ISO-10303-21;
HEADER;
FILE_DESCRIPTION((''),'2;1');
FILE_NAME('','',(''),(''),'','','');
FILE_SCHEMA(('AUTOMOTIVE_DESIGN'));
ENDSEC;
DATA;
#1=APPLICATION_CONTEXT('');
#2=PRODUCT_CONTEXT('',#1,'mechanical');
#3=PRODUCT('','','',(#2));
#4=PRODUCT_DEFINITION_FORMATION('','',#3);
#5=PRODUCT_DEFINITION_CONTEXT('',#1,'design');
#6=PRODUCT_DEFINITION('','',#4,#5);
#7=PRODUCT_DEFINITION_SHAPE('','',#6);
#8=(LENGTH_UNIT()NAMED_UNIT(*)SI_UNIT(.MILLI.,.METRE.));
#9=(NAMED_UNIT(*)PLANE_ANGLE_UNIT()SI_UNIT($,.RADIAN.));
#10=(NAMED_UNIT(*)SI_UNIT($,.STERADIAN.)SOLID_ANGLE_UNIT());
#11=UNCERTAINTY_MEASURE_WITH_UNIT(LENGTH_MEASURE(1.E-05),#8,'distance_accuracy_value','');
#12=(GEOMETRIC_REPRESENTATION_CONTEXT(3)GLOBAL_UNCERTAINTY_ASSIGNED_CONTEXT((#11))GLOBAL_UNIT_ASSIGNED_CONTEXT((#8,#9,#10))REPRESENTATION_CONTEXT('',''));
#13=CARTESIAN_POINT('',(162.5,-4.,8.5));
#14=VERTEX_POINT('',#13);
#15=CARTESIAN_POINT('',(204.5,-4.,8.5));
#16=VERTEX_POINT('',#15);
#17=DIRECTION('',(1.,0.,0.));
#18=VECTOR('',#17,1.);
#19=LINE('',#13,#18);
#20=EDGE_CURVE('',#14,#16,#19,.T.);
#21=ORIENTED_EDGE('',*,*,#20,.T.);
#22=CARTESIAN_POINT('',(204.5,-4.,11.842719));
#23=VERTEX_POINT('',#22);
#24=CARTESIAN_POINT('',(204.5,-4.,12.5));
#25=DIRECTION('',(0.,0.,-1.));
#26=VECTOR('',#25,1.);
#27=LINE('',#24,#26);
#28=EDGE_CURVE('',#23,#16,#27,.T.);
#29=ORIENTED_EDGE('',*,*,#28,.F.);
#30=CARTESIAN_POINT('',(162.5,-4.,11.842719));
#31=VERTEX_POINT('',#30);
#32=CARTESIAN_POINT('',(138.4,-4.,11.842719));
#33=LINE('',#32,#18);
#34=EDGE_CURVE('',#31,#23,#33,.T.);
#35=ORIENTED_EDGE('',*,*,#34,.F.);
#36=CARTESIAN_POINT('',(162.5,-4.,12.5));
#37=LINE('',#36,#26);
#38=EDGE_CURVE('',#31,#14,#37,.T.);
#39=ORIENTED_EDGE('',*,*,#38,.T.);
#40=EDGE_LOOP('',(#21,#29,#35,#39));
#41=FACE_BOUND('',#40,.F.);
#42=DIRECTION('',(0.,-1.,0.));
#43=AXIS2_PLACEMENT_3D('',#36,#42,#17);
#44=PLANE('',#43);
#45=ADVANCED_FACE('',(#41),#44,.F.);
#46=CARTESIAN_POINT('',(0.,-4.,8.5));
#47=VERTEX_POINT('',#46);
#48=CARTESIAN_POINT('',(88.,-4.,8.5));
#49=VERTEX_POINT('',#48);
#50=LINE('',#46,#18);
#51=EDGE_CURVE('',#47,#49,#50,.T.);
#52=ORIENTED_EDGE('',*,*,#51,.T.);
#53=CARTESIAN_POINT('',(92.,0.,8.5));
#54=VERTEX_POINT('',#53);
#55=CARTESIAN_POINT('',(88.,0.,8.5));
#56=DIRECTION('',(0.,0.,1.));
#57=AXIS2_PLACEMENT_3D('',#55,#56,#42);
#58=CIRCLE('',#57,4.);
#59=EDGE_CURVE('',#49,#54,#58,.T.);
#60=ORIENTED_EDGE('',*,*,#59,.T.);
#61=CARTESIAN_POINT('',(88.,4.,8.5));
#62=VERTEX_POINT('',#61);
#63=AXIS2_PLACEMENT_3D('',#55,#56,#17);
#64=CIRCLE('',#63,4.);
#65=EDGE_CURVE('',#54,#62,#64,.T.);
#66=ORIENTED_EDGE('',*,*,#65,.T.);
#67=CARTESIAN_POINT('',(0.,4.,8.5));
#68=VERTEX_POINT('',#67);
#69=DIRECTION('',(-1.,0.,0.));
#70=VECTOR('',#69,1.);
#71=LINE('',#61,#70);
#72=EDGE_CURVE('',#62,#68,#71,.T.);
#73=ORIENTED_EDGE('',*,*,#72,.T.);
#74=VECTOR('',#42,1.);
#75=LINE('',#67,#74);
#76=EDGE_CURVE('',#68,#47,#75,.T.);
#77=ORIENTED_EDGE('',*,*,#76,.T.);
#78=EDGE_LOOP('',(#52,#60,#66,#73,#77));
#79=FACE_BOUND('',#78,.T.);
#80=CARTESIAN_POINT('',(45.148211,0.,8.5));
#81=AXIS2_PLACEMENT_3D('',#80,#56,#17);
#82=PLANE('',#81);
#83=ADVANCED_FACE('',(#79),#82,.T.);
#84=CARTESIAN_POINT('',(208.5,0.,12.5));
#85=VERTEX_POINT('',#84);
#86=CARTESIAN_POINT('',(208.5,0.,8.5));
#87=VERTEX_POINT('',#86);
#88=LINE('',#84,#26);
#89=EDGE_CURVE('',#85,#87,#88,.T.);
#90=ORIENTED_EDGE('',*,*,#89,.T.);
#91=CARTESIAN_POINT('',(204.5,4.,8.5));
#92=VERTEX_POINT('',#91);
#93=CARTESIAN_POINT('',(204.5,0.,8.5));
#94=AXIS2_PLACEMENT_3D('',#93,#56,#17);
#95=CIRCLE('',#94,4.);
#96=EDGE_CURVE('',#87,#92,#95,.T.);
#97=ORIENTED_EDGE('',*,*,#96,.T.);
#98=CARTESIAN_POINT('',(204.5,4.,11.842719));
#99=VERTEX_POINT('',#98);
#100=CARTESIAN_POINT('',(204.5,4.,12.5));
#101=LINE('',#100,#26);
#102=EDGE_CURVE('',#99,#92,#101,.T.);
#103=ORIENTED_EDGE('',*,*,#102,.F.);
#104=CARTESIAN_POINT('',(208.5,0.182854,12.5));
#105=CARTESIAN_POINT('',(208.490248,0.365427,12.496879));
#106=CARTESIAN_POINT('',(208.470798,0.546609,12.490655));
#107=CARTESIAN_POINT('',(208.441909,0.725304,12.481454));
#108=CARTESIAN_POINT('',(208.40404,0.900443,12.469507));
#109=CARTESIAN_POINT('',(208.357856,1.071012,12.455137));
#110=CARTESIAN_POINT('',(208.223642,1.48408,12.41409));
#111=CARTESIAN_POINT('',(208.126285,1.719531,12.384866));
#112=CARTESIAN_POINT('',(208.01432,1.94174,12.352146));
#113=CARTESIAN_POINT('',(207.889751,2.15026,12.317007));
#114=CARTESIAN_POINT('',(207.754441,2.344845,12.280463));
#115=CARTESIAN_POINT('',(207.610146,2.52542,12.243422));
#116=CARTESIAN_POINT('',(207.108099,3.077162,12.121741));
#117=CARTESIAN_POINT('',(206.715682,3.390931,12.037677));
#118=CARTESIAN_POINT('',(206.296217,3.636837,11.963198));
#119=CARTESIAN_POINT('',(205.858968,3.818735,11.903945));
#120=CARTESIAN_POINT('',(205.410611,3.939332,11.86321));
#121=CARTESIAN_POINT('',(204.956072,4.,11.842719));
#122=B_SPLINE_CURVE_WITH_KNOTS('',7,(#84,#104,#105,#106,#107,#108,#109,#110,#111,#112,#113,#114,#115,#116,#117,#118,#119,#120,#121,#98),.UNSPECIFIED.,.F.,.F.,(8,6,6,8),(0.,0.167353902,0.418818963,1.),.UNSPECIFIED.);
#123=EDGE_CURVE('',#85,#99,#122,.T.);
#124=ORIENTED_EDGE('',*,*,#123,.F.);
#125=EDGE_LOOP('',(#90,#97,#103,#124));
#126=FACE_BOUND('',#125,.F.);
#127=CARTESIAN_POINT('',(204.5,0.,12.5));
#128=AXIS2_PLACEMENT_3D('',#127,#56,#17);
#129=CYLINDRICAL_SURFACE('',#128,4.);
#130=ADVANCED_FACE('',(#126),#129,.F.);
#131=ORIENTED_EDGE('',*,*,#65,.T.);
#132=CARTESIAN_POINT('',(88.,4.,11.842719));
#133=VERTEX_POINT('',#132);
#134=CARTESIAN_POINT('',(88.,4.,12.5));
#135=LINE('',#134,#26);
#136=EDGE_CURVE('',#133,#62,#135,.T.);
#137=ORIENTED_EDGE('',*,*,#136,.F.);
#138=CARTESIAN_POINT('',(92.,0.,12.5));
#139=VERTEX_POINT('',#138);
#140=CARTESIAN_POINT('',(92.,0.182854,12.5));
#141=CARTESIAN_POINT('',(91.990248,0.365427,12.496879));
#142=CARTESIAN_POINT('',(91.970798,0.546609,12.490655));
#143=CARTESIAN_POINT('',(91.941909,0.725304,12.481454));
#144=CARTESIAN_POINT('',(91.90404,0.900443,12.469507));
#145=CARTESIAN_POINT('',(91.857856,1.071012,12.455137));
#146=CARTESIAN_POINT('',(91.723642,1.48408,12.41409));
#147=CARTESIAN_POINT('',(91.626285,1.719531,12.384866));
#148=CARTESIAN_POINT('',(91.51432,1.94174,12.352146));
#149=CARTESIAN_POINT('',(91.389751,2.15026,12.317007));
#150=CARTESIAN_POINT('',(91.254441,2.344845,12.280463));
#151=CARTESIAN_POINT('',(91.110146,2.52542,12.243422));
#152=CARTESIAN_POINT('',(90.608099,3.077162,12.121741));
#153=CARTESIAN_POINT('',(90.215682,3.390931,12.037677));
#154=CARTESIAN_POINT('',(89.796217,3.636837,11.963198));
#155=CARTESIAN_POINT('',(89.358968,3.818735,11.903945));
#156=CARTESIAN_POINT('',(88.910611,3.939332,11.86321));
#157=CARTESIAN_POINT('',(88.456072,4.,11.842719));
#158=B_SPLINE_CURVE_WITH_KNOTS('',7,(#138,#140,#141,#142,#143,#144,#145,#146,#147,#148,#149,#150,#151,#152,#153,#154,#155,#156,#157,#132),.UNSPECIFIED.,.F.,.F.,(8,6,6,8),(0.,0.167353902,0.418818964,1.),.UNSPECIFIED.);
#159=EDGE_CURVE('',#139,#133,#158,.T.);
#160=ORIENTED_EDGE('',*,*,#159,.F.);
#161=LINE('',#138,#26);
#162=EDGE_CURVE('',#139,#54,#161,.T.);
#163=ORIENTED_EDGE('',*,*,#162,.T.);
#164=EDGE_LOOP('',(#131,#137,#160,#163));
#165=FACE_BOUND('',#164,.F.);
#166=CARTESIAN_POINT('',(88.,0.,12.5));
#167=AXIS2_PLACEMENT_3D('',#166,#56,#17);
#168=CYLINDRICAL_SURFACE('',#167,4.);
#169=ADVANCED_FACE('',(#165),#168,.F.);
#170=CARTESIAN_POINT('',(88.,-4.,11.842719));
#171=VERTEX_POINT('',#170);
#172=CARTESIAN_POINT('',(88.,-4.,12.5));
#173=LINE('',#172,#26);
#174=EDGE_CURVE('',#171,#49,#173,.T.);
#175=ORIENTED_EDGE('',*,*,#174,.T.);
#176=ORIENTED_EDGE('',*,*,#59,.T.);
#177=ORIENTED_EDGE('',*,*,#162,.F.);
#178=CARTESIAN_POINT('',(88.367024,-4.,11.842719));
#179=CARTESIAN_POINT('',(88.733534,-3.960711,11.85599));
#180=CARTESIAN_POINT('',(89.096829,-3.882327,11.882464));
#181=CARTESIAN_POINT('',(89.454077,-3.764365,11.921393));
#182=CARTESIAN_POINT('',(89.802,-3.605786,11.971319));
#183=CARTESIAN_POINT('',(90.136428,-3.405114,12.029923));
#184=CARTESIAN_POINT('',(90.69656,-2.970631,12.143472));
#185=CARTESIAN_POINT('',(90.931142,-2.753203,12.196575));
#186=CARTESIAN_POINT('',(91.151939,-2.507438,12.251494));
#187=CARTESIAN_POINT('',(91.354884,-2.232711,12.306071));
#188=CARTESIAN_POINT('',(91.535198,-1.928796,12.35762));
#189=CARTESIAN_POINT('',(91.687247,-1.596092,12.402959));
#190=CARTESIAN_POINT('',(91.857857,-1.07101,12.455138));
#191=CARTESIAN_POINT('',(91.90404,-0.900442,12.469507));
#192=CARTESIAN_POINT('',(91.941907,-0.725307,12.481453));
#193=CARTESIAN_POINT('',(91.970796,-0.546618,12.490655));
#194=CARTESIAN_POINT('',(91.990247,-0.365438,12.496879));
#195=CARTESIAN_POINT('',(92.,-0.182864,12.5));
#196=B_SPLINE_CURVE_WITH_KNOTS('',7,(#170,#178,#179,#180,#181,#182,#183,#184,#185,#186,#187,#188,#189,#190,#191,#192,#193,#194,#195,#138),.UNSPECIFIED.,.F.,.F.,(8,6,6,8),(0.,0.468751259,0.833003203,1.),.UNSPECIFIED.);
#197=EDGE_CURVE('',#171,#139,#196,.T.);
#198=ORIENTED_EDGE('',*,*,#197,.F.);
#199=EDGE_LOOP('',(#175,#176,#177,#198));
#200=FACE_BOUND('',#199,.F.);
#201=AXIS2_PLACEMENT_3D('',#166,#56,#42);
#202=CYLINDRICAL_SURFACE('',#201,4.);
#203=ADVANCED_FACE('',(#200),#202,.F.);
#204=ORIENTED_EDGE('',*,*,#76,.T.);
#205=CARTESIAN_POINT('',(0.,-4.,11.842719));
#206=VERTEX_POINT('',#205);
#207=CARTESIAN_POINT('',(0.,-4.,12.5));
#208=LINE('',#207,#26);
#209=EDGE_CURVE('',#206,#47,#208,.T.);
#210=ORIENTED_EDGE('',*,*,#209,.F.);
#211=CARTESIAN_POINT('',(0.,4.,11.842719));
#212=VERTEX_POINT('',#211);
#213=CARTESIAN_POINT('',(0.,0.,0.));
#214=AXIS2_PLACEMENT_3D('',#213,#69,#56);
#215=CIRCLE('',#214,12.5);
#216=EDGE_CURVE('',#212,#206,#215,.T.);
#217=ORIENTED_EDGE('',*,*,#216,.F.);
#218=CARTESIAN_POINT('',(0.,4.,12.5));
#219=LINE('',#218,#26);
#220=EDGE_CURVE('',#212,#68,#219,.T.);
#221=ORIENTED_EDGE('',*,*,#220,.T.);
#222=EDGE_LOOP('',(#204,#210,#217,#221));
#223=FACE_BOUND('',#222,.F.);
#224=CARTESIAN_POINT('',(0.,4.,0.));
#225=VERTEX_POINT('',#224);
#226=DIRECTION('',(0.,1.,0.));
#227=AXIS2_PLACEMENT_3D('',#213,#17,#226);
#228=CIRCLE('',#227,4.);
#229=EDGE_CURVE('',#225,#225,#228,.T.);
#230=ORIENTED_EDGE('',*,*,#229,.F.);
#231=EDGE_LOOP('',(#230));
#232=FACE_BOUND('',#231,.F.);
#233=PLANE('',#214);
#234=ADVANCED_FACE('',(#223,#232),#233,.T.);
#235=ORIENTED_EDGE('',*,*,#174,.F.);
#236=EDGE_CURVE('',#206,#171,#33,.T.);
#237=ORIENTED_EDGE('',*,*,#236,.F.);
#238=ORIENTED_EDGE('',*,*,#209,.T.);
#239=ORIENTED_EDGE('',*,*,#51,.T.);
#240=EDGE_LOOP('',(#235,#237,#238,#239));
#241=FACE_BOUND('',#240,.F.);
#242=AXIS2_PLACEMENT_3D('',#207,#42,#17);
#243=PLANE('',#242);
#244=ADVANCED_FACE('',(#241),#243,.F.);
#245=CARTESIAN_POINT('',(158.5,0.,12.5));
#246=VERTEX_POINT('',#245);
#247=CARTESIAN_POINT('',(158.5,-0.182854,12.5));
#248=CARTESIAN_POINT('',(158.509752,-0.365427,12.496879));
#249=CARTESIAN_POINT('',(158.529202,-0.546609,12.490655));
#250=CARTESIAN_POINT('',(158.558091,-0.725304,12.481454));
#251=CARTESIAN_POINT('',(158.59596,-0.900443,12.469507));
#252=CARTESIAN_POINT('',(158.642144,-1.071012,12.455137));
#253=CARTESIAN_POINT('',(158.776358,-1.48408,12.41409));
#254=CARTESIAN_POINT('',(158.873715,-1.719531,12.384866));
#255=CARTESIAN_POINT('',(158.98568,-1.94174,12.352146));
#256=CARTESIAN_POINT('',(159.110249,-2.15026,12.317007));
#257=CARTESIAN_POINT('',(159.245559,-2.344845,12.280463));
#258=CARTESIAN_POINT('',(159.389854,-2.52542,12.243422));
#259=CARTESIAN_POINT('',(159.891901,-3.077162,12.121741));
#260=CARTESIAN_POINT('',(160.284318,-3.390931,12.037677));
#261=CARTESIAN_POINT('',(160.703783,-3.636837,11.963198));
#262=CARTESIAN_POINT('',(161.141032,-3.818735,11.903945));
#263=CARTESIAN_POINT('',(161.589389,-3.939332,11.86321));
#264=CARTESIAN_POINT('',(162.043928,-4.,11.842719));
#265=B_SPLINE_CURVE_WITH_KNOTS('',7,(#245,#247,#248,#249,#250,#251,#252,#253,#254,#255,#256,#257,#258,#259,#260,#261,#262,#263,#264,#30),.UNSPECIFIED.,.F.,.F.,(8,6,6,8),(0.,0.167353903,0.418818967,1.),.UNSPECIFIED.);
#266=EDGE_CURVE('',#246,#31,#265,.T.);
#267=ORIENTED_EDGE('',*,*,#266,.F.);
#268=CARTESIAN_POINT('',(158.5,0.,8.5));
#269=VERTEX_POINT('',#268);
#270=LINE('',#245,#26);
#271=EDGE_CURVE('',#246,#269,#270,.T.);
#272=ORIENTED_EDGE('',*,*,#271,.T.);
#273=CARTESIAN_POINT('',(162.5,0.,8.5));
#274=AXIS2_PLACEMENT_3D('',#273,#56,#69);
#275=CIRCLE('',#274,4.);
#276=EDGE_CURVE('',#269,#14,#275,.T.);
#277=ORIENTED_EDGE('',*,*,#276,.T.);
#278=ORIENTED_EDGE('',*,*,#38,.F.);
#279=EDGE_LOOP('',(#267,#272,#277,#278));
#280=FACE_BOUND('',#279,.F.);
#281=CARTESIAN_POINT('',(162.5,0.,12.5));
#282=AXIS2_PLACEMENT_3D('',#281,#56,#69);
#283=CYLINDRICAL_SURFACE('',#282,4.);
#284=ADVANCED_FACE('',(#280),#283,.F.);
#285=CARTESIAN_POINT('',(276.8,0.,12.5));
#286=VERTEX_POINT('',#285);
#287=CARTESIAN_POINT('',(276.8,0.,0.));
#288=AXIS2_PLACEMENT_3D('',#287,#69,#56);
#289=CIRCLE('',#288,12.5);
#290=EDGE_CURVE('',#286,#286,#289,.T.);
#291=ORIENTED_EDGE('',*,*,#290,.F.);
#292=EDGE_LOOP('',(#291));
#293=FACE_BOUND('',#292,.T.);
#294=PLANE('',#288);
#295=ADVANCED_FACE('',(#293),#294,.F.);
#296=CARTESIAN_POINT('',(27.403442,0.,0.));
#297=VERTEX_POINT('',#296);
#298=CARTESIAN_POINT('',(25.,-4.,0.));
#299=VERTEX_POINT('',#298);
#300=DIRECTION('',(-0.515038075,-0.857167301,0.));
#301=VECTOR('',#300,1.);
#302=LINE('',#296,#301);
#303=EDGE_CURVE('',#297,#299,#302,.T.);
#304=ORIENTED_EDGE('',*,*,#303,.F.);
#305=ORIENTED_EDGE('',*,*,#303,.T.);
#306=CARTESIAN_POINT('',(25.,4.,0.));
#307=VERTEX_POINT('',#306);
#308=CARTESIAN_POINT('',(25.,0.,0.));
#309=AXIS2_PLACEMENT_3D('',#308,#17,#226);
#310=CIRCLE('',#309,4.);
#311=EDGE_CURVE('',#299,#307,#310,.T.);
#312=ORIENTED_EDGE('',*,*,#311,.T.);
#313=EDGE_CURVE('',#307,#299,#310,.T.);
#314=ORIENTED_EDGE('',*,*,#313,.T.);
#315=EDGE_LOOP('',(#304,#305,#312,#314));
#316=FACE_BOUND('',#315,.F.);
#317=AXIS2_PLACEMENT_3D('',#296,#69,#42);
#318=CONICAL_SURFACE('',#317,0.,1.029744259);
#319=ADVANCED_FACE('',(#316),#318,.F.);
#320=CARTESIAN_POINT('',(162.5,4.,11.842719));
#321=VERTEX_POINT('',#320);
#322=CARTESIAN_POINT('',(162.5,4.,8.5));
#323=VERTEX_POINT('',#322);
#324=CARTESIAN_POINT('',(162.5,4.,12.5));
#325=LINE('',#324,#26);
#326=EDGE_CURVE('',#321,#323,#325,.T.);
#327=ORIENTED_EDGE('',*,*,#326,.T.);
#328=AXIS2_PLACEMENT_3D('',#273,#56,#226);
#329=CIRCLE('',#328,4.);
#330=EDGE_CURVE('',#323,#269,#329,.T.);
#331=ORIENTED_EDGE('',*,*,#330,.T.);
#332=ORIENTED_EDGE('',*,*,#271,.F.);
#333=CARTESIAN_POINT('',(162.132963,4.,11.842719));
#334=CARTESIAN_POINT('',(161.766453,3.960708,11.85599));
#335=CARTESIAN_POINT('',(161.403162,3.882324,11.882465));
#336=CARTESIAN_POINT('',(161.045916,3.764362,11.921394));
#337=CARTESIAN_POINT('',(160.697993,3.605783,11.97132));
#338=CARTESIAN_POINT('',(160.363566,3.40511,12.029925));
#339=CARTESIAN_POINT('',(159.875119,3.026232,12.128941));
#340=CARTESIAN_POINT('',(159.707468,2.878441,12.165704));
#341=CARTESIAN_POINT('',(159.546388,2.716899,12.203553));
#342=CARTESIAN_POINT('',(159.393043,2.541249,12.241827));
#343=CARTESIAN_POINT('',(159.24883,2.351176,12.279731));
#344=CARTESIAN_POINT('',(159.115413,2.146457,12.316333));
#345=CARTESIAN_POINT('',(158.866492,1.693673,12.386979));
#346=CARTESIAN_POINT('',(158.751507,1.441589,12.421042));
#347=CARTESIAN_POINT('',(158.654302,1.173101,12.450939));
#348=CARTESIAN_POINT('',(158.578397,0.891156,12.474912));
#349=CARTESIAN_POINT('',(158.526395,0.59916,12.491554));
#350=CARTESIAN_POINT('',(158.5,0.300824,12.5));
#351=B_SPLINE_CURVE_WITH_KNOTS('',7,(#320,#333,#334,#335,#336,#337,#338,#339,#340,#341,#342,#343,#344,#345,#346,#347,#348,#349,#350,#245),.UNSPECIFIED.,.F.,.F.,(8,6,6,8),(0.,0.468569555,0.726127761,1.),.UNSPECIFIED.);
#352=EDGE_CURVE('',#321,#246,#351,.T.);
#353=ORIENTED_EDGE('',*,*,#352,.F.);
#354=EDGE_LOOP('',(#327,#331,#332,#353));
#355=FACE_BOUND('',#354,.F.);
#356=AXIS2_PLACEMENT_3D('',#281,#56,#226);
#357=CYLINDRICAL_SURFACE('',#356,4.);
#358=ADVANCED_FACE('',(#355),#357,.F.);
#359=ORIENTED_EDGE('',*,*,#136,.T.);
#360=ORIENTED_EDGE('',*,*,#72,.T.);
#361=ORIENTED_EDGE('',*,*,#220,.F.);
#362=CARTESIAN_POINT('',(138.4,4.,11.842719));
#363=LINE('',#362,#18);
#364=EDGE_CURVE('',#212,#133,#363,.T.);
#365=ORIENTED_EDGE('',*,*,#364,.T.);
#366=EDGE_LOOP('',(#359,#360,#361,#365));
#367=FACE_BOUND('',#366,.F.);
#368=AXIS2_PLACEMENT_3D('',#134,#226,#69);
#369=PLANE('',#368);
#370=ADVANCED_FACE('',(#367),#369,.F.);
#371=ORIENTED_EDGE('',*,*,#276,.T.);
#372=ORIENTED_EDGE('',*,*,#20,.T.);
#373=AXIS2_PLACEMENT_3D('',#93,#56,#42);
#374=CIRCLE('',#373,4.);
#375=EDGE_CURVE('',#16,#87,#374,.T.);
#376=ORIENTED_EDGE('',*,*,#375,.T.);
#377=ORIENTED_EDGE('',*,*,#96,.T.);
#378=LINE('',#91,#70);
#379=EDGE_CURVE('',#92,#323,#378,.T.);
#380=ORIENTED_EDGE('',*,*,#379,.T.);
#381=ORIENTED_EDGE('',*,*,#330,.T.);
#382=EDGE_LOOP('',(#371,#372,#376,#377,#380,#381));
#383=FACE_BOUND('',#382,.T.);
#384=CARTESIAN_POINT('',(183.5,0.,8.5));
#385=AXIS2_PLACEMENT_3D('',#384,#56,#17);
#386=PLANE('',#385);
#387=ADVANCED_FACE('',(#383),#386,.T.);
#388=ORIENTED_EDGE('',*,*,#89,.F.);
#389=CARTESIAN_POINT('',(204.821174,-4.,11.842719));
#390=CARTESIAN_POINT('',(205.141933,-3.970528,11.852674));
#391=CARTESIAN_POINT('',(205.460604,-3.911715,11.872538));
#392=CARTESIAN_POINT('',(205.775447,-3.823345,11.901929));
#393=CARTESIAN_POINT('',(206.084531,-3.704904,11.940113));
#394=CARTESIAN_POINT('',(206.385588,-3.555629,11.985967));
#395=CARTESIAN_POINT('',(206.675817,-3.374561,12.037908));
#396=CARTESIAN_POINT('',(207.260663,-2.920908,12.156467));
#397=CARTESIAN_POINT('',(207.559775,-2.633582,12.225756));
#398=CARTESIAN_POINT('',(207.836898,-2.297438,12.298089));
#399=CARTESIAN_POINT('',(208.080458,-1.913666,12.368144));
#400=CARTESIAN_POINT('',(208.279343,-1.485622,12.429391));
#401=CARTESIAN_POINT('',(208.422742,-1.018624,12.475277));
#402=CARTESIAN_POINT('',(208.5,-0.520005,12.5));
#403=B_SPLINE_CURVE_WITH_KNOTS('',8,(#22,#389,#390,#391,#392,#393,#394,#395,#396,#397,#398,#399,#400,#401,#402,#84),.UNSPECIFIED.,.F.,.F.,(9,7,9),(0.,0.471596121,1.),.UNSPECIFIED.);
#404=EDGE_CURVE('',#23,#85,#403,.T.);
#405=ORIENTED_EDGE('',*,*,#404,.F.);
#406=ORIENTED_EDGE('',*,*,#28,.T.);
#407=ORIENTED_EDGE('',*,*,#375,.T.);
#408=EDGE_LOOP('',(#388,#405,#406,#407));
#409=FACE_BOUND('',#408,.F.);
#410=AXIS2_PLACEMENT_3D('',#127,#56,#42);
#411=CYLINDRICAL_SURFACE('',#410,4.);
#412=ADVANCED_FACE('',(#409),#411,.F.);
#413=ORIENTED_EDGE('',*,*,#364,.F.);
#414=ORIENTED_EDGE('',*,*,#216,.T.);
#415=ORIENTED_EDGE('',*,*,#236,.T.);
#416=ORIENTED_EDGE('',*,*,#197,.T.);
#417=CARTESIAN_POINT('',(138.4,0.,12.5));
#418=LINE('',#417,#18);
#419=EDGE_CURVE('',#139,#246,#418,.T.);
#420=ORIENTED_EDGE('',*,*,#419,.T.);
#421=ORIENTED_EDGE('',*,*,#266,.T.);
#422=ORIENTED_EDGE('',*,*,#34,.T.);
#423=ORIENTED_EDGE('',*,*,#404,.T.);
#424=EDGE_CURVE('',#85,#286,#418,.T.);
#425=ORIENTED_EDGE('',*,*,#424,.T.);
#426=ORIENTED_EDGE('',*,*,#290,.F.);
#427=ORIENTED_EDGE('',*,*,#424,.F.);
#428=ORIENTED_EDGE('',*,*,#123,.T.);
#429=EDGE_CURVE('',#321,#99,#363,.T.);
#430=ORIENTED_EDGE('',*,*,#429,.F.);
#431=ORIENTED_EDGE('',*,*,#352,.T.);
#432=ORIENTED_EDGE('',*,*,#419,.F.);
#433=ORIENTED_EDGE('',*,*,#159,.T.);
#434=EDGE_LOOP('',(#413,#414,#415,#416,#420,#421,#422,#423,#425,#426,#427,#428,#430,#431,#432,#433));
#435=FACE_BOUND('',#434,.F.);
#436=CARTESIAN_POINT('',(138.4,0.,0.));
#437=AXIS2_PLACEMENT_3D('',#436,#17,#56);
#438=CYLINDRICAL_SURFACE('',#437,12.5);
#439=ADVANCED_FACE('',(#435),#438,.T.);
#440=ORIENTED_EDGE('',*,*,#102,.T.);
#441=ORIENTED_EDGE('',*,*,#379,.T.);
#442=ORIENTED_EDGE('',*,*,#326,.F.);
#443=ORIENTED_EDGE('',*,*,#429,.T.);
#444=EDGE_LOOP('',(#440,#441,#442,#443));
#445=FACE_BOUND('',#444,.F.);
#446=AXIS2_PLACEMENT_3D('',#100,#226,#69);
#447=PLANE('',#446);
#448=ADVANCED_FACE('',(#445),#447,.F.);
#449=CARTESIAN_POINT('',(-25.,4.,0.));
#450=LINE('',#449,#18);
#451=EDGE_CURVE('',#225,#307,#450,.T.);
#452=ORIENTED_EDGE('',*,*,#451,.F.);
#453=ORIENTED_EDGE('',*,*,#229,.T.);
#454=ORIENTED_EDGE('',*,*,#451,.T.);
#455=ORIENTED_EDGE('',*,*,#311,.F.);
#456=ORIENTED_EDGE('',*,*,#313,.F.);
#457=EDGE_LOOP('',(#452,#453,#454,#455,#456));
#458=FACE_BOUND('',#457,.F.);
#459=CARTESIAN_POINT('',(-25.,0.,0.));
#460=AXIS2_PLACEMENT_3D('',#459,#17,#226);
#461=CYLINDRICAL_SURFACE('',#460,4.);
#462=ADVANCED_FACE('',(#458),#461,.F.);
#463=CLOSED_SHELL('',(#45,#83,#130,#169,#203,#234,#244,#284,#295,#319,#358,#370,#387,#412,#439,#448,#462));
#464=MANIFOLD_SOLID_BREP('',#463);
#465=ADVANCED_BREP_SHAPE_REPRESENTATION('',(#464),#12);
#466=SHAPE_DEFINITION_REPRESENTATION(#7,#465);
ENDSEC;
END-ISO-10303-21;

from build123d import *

# Parameters (mm, degrees)
F0_W     = 276.8
F0_H     = 12.5
F4_DEPTH = 4
F6_D     = 8
F6_DEPTH = 25
F6_TIP   = 2.4034424761
F8_DEPTH = 4


with BuildPart() as f1:
    # F0 (on Front) → F1 (revolve)
    with BuildSketch(Plane.XZ):
        with Locations((138.4, 6.25)):
            Rectangle(F0_W, F0_H)
    revolve(axis=Axis((138.4, 0, 0), (-1, 0, 0)))

    # F3 (on offset) → F4 (cut)
    with BuildSketch(Plane.XY.offset(12.5)):
        with BuildLine():
            Line((0, 4), (0, 0))
            Line((0, 0), (0, -4))
            Line((0, -4), (88, -4))
            ThreePointArc((88, -4), (90.8284271247, -2.8284271247), (92, 0))
            ThreePointArc((92, 0), (90.8284271247, 2.8284271247), (88, 4))
            Line((88, 4), (0, 4))
        make_face()
    extrude(amount=-F4_DEPTH, mode=Mode.SUBTRACT)

    # F6
    with Locations(Plane(origin=(0, 0, 0), x_dir=(0, -1, 0), z_dir=(-1, 0, 0))):
        with Locations((0, 0)):
            Hole(F6_D / 2, depth=F6_DEPTH)
            with Locations((0, 0, -(F6_DEPTH + F6_TIP / 2))):  # 118° drill point
                Cone(0, F6_D / 2, F6_TIP, mode=Mode.SUBTRACT)

    # F7 (on offset) → F8 (cut)
    with BuildSketch(Plane.XY.offset(12.5)):
        with BuildLine():
            ThreePointArc((208.5, 0), (207.3284271247, 2.8284271247), (204.5, 4))
            Line((204.5, 4), (162.5, 4))
            ThreePointArc((162.5, 4), (159.6715728753, 2.8284271247), (158.5, 0))
            ThreePointArc((158.5, 0), (159.6715728753, -2.8284271247), (162.5, -4))
            Line((162.5, -4), (204.5, -4))
            ThreePointArc((204.5, -4), (207.3284271247, -2.8284271247), (208.5, 0))
        make_face()
    extrude(amount=-F8_DEPTH, mode=Mode.SUBTRACT)


solid = f1.part
